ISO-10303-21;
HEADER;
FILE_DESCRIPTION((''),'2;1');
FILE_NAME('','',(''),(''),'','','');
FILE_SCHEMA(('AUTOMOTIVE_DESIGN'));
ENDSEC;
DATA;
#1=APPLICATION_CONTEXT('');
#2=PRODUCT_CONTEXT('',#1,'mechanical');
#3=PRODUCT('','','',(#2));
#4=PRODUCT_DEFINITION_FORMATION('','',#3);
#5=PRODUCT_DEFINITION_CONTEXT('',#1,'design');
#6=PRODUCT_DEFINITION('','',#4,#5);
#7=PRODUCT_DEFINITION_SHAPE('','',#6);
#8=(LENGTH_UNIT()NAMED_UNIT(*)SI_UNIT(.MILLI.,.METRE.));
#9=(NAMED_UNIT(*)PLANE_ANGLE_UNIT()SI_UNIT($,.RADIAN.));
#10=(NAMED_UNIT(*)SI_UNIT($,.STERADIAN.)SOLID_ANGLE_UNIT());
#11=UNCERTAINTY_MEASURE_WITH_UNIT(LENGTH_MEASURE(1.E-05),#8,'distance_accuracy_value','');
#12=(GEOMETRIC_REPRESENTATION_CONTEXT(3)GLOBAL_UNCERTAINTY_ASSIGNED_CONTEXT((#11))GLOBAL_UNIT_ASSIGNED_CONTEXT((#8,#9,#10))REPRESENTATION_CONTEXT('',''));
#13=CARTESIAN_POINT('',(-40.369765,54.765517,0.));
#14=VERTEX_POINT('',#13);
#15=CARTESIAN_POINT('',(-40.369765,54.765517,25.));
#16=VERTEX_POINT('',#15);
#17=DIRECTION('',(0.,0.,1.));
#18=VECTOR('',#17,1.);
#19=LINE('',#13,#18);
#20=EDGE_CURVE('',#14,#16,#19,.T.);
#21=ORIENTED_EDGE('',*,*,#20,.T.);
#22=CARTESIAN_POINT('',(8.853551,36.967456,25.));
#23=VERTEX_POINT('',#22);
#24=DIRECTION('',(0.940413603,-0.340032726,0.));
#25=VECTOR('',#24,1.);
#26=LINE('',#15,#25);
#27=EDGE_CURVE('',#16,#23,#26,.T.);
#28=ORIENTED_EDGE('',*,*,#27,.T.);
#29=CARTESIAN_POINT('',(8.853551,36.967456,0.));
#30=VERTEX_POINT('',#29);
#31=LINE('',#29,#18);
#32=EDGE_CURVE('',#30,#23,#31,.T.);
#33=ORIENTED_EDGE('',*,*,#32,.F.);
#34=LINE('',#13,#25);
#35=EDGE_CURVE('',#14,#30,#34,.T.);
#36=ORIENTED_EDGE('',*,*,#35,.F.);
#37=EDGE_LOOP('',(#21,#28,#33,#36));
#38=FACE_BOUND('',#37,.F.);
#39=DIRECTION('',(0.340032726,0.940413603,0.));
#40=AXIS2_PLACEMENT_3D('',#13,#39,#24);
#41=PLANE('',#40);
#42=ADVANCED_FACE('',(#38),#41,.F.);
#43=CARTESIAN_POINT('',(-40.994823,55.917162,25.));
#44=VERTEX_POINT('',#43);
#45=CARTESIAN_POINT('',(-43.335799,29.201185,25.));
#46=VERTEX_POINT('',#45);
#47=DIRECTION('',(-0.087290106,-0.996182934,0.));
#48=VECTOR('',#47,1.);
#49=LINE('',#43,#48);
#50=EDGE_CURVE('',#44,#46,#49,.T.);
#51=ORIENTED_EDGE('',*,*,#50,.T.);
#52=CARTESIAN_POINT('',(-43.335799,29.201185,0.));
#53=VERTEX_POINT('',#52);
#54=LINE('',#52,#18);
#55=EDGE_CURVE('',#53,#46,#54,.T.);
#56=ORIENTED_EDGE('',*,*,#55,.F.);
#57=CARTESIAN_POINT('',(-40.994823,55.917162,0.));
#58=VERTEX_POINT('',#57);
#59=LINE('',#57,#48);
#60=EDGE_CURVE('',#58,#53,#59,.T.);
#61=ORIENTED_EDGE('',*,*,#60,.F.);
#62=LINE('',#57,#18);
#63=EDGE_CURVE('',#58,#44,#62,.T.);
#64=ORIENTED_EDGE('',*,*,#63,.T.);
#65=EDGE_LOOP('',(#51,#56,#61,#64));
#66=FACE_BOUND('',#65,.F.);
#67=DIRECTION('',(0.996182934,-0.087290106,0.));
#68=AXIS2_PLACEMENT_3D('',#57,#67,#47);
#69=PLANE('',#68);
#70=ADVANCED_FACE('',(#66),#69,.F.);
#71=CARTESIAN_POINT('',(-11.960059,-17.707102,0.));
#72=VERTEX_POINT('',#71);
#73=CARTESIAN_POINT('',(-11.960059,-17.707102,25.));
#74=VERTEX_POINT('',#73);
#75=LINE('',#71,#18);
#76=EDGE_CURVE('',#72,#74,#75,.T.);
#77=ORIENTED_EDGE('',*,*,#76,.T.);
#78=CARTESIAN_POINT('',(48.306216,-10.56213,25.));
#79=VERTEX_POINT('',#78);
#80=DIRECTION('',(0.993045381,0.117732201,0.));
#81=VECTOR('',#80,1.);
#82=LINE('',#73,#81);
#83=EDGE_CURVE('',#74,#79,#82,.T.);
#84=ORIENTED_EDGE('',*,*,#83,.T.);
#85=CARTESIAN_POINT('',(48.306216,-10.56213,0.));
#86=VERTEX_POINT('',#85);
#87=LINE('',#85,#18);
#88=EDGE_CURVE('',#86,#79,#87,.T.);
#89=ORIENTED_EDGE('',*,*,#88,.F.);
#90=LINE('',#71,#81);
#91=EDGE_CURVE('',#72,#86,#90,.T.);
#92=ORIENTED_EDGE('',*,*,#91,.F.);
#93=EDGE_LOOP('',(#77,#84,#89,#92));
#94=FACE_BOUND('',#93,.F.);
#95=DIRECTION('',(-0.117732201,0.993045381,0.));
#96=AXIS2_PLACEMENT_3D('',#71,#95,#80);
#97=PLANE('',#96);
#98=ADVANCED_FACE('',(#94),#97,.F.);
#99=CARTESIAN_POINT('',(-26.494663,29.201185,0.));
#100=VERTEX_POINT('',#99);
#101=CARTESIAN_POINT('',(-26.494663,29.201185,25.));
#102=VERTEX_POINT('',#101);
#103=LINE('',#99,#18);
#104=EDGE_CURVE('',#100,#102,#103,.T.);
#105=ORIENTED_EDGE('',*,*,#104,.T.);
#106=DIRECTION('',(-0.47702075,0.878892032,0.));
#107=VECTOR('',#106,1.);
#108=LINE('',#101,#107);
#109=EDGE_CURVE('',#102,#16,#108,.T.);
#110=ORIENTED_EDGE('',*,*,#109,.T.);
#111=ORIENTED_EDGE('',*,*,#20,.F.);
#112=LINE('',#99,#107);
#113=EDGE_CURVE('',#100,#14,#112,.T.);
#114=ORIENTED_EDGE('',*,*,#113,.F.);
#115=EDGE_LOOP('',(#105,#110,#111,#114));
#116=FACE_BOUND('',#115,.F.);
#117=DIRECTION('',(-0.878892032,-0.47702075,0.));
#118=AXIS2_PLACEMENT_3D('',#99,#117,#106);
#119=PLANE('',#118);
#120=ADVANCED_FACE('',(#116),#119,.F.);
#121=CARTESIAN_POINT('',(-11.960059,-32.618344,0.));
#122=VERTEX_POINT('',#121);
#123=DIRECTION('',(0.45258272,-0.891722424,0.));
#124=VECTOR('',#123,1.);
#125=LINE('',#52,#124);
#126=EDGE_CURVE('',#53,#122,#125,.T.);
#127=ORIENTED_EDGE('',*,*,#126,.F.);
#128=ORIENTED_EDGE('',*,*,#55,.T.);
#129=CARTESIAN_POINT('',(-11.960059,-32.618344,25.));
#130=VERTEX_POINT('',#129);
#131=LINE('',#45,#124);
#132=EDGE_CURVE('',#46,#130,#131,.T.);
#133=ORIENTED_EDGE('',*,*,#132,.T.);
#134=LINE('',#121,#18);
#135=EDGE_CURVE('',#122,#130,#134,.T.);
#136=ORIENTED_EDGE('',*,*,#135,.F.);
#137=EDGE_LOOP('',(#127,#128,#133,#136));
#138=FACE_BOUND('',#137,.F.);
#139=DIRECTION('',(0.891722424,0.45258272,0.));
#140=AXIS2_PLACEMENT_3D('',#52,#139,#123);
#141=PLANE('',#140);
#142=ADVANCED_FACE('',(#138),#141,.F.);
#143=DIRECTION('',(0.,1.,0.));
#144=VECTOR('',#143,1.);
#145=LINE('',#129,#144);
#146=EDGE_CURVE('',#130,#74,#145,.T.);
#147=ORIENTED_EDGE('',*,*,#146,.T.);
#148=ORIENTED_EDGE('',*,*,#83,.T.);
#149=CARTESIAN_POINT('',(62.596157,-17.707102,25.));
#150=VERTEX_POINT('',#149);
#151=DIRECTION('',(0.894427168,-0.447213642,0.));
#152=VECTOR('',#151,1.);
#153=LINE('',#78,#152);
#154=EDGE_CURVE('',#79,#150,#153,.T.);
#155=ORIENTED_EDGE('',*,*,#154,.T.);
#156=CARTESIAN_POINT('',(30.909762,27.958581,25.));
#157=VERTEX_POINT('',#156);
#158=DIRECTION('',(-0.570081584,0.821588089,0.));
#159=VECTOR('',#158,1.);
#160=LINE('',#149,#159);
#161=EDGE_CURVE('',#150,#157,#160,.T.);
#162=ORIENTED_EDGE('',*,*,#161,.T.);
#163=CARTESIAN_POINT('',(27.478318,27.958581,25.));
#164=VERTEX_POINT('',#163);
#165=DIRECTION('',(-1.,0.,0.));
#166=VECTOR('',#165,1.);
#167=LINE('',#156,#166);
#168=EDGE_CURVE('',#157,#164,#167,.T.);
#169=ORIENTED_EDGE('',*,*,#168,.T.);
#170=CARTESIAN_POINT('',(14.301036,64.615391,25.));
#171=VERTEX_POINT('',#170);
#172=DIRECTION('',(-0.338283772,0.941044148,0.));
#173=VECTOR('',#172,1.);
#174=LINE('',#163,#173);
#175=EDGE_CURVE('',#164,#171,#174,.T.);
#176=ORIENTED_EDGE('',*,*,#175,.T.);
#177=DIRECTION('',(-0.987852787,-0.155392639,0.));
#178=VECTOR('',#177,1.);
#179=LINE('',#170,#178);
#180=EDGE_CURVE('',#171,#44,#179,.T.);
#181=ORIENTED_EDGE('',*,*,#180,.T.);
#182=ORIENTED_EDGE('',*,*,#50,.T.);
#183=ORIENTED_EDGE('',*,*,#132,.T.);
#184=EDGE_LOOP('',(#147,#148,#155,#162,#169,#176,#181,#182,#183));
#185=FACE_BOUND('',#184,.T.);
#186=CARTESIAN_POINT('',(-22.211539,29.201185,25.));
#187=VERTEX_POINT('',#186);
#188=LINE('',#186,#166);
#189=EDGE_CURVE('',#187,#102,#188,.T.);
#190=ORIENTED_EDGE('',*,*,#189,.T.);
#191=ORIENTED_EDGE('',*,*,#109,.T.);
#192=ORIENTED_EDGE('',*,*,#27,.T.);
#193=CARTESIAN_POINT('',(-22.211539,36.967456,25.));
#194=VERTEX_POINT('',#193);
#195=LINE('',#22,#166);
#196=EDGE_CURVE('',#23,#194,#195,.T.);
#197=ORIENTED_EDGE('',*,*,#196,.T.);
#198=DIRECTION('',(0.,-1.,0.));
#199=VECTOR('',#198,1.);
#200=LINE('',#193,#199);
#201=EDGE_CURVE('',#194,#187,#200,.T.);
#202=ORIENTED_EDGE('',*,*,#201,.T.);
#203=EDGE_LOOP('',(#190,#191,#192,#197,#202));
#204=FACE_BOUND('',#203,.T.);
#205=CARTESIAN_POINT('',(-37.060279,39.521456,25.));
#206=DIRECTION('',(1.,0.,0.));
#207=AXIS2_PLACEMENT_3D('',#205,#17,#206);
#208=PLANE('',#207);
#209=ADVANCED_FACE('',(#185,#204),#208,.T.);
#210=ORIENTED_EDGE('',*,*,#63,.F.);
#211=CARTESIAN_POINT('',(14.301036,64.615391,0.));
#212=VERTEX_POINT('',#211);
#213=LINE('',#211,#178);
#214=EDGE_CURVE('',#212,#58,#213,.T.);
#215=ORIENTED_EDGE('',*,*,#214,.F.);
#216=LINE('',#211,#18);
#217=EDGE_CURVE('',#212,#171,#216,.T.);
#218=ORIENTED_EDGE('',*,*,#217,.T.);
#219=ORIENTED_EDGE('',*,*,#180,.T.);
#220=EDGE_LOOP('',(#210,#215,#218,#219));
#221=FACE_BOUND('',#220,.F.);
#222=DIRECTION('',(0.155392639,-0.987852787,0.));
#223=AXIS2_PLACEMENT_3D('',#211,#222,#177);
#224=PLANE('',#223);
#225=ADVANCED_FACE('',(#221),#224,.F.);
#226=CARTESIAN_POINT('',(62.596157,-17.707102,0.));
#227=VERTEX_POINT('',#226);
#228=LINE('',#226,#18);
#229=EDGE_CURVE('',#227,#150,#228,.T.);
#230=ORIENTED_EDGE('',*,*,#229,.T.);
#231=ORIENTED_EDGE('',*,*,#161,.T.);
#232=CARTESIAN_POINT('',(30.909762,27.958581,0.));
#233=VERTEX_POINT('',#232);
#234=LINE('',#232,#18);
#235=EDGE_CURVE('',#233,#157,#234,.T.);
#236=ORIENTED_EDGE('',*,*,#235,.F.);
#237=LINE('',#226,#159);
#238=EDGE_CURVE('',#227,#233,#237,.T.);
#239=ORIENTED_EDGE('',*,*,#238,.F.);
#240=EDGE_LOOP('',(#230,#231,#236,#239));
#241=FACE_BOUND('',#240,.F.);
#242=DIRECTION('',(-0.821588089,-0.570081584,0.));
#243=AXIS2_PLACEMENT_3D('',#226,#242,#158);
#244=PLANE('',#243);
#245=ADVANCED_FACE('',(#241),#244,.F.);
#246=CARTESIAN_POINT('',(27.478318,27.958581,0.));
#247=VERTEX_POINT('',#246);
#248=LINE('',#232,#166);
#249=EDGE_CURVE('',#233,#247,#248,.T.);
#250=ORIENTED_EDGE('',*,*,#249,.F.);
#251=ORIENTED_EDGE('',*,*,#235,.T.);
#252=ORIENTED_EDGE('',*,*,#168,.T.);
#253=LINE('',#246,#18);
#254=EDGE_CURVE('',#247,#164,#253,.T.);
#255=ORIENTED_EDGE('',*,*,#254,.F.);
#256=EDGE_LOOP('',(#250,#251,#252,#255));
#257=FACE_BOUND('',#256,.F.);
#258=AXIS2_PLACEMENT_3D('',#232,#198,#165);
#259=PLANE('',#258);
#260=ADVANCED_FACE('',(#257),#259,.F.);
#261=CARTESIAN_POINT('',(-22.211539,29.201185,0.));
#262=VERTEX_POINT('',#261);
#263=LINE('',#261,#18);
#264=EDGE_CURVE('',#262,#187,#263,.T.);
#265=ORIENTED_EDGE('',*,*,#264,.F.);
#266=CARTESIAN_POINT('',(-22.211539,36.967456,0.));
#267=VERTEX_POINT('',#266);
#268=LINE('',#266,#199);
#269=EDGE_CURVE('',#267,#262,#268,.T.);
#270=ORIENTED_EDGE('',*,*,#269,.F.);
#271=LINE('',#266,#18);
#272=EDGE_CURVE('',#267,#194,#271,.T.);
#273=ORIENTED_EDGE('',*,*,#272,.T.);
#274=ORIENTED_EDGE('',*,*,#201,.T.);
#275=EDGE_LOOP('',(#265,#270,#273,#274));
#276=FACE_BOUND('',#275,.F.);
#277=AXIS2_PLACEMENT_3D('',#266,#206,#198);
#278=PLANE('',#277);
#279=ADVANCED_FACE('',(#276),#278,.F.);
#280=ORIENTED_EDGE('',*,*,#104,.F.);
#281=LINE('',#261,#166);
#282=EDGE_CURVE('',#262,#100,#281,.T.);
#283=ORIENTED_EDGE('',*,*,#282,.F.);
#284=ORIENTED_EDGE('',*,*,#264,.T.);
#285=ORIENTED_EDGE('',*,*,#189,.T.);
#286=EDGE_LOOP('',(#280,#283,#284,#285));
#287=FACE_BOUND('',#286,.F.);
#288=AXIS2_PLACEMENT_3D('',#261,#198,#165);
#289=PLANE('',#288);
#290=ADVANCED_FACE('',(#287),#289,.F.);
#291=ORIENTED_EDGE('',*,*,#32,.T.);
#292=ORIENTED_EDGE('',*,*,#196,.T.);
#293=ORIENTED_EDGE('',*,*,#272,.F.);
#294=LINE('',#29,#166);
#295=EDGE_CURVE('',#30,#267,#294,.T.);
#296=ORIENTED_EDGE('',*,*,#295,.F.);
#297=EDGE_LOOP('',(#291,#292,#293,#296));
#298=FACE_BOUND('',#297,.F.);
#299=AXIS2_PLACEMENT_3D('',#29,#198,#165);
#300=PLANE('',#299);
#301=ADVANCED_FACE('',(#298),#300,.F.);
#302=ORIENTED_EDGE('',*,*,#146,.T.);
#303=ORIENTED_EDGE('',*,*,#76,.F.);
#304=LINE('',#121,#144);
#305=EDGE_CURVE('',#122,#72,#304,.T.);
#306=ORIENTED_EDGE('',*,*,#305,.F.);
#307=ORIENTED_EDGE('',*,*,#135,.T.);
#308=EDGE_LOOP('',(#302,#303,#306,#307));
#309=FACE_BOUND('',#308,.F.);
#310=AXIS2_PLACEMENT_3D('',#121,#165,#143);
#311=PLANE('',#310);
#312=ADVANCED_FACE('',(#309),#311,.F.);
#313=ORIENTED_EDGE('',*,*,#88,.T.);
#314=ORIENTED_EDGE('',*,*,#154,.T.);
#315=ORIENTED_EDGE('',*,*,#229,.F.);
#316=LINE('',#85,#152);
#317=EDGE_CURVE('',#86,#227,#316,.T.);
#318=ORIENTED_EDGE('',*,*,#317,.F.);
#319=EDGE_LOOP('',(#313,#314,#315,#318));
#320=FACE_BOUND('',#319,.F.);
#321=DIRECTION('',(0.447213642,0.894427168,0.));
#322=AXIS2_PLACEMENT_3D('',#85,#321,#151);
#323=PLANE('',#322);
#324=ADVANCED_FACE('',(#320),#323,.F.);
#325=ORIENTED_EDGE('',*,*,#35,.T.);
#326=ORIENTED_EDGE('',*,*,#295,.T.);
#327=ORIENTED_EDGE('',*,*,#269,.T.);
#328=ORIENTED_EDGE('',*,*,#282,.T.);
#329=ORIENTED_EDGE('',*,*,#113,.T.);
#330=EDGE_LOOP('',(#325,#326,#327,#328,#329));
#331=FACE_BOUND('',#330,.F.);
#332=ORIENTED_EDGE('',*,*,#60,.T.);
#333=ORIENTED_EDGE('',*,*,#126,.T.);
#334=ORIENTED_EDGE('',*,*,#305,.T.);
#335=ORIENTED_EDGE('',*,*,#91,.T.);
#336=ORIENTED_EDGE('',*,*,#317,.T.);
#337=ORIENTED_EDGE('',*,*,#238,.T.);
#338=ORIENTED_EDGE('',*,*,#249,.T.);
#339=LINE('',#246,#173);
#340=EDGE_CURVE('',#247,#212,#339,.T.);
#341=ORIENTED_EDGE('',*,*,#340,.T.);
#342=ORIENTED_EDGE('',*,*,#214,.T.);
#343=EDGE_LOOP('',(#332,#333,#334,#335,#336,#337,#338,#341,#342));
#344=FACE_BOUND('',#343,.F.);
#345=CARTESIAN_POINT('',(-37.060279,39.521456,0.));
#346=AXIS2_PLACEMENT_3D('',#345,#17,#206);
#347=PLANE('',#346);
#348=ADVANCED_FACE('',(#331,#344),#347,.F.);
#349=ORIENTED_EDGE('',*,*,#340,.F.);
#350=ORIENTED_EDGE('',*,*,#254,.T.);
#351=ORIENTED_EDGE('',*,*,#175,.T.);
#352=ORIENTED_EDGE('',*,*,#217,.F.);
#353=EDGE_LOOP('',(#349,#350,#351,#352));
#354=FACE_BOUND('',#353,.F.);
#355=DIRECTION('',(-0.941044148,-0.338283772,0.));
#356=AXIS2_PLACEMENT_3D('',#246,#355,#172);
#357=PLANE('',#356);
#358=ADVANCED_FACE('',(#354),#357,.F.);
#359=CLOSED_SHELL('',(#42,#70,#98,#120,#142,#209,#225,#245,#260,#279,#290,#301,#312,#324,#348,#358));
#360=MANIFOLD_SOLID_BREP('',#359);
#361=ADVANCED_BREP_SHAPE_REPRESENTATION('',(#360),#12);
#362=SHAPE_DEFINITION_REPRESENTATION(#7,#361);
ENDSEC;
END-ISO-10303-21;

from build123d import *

# Parameters (mm, degrees)
F1_DEPTH = 25


with BuildPart() as f1:
    # F0 (on Top) → F1 (new body)
    with BuildSketch(Plane.XY):
        Polygon((-40.994822979, 55.9171624482), (-43.3357991278, 29.2011853307), (-26.4946625571, 29.2011853307), (-40.3697645688, 54.765516832), align=None)
        Polygon((-26.4946625571, 29.2011853307), (-43.3357991278, 29.2011853307), (-11.9600594044, -32.6183438301), (-11.9600594044, -17.7071020007), (-15.0134380226, 8.0474792324), align=None)
        Polygon((-22.2115386277, 29.2011853307), (-26.4946625571, 29.2011853307), (-15.0134380226, 8.0474792324), (31.386833638, 17.0857999474), (27.4783183213, 27.9585812241), (8.8535510004, 27.9585812241), (8.8535510004, 36.9674563408), (-22.2115386277, 36.9674563408), align=None)
        Polygon((14.3010364845, 64.6153911948), (-40.994822979, 55.9171624482), (-40.3697645688, 54.765516832), (8.8535510004, 36.9674563408), align=None)
        Polygon((31.386833638, 17.0857999474), (-15.0134380226, 8.0474792324), (-11.9600594044, -17.7071020007), (48.3062155545, -10.56213025), align=None)
        Polygon((27.4783183213, 27.9585812241), (14.3010364845, 64.6153911948), (8.8535510004, 36.9674563408), (8.8535510004, 27.9585812241), align=None)
        Polygon((27.4783183213, 27.9585812241), (31.386833638, 17.0857999474), (48.3062155545, -10.56213025), (62.5961571932, -17.7071020007), (30.9097617865, 27.9585812241), align=None)
    extrude(amount=F1_DEPTH)


solid = f1.part
